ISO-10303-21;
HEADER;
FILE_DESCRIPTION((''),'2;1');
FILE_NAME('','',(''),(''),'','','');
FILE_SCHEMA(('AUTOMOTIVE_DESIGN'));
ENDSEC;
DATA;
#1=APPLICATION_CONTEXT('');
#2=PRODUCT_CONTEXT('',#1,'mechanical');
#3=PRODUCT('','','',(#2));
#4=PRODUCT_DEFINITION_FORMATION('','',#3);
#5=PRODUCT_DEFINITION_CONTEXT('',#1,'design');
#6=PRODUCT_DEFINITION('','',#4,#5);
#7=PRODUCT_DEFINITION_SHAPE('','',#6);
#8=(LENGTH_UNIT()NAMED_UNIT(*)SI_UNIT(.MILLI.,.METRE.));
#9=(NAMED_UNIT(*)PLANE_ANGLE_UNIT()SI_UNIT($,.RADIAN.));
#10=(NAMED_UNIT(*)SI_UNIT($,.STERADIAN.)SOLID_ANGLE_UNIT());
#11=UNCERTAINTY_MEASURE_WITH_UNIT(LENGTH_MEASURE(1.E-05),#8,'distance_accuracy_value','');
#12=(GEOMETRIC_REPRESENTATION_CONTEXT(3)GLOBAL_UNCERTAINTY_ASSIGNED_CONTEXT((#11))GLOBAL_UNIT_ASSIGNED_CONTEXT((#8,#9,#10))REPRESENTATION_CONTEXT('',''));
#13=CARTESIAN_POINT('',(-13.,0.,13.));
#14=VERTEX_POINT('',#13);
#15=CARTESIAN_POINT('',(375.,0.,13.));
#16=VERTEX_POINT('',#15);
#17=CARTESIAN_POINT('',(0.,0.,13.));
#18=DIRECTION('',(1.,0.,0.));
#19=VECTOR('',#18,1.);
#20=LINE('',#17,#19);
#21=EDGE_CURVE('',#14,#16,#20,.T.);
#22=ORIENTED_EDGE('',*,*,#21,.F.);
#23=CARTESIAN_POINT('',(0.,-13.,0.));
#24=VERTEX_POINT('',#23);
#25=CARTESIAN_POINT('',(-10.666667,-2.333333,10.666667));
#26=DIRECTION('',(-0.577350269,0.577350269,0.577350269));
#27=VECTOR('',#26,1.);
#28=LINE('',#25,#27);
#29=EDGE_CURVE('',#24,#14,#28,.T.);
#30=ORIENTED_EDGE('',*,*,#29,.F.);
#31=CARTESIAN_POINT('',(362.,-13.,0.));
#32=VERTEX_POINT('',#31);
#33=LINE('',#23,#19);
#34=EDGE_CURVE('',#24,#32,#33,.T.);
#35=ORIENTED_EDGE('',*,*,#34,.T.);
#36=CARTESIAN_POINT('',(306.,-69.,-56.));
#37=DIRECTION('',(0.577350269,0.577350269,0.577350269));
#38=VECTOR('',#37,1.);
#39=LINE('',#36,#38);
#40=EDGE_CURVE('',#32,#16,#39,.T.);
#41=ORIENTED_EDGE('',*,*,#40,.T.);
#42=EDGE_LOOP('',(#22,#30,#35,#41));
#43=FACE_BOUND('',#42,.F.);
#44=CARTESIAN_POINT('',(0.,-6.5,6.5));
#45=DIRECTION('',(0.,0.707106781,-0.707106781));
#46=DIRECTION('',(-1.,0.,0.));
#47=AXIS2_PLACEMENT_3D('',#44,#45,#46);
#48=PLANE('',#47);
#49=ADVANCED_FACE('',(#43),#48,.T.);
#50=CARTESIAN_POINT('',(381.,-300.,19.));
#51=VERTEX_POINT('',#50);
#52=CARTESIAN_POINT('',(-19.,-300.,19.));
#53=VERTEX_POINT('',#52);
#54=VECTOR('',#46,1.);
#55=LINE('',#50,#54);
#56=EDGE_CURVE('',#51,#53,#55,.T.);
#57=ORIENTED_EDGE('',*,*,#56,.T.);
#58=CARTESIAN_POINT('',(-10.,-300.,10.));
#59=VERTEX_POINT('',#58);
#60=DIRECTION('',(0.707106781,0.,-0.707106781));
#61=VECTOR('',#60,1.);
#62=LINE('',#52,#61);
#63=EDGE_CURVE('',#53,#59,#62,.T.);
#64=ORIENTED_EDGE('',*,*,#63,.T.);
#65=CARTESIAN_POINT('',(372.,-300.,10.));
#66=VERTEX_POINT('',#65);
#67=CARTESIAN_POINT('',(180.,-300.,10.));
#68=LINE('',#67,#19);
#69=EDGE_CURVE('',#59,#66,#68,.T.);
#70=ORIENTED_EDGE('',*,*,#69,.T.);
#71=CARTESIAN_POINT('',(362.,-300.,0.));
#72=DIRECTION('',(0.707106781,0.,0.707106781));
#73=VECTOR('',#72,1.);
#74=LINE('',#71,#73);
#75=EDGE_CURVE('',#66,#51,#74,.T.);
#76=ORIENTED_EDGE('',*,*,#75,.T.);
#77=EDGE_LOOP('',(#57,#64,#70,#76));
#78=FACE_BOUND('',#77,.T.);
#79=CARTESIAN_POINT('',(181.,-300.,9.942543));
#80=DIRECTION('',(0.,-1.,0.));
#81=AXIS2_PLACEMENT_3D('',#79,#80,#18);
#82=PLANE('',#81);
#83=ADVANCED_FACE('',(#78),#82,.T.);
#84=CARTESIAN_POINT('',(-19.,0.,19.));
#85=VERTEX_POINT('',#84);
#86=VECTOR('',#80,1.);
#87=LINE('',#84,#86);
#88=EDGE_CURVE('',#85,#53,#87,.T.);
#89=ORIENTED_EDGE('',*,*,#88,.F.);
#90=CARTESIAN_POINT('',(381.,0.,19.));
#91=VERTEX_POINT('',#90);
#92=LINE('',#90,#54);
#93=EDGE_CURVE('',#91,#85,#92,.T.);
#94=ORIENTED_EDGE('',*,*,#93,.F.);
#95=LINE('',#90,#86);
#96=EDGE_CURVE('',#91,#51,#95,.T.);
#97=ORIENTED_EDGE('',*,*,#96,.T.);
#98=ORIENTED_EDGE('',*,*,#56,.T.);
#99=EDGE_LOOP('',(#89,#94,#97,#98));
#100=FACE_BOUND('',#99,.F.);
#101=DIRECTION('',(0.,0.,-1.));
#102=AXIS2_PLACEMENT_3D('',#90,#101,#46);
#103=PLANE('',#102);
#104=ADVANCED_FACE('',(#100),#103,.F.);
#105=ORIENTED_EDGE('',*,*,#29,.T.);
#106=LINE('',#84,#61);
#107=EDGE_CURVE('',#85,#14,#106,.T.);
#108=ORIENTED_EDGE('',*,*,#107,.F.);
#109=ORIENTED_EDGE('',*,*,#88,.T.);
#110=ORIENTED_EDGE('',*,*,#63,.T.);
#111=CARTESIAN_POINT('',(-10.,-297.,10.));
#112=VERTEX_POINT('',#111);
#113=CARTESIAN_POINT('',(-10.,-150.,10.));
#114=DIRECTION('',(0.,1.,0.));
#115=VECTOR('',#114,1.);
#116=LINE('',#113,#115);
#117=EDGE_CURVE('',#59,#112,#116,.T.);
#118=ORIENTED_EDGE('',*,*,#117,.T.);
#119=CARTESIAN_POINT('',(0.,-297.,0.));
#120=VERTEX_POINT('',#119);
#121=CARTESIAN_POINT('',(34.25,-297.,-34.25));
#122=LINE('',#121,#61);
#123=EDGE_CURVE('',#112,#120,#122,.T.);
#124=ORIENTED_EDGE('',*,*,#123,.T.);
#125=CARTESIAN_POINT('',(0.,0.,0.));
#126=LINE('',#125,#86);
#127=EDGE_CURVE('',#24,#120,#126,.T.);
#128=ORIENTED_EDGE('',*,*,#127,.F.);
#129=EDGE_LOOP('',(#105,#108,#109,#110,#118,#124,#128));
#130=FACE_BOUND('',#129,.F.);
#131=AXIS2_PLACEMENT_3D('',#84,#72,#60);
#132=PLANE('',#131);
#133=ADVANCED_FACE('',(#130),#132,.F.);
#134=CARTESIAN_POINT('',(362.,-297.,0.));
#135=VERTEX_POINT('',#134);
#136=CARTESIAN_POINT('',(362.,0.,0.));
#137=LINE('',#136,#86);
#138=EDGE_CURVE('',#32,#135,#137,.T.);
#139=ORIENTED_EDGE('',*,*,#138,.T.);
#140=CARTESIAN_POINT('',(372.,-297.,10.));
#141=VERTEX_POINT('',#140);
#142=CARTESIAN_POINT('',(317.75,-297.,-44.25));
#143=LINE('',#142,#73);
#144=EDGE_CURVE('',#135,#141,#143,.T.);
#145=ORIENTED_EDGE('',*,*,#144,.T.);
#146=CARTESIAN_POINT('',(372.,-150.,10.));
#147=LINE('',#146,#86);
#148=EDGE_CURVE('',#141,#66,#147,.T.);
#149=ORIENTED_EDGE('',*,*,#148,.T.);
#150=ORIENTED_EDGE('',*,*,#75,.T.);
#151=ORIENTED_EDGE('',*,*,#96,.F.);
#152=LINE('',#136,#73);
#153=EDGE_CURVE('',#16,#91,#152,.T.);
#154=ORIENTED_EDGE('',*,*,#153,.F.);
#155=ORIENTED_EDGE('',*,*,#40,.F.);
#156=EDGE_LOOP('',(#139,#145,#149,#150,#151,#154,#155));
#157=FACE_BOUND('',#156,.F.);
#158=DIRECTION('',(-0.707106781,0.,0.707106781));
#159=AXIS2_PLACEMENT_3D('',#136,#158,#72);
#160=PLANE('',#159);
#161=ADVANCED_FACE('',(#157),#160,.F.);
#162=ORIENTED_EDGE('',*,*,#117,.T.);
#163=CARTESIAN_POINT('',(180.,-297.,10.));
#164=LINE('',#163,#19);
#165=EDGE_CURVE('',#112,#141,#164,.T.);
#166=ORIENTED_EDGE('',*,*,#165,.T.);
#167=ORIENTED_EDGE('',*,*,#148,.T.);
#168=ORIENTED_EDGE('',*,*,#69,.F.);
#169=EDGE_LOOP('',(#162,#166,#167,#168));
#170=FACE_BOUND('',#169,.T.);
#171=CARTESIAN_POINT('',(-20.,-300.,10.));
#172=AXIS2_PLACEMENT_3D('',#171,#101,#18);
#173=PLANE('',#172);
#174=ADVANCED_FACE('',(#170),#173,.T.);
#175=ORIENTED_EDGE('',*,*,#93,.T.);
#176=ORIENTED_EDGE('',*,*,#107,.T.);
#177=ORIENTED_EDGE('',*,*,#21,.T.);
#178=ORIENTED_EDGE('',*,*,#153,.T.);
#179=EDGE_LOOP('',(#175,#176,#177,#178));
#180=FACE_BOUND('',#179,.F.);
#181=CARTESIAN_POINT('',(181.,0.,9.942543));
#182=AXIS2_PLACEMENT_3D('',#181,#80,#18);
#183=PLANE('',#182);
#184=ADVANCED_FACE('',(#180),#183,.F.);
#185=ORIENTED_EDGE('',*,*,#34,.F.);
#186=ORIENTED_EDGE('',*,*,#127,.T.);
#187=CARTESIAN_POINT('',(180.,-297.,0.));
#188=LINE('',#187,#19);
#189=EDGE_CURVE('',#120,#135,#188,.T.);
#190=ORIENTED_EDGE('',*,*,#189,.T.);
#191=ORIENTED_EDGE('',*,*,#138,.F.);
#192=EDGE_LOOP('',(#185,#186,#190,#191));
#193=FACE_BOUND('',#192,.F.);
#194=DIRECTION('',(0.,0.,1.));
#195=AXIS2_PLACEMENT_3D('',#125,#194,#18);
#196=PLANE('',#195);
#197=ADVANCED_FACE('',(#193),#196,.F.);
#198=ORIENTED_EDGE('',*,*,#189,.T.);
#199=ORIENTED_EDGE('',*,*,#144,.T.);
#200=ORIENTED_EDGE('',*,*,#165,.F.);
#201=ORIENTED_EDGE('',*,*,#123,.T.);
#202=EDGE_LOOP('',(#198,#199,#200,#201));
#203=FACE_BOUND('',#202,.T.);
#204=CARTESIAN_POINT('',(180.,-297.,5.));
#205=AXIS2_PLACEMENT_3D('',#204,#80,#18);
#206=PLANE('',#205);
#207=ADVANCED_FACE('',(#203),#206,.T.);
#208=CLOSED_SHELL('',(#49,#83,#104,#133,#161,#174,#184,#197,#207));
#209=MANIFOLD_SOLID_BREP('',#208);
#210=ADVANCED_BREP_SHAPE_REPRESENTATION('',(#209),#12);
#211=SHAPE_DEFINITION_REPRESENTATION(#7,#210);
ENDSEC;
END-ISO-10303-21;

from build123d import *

# Parameters (mm, degrees)
F1_DEPTH = 300
F2_SIZE  = 13
F3_W     = 400
F3_H     = 10
F4_DEPTH = 3


with BuildPart() as f1:
    # F0 (on Front) → F1 (new body)
    with BuildSketch(Plane.XZ):
        Polygon((-19, 19), (0, 0), (362, 0), (381, 19), align=None)
    extrude(amount=F1_DEPTH)

    # F2
    f2_edges = [f1.edges().sort_by_distance(p)[0] for p in [
        (181, 0, 0),
    ]]
    chamfer(f2_edges, length=F2_SIZE)

    # F3 (on face) → F4 (cut)
    with BuildSketch(Plane.XZ.offset(300)):
        with Locations((180, 5)):
            Rectangle(F3_W, F3_H)
    extrude(amount=-F4_DEPTH, mode=Mode.SUBTRACT)


solid = f1.part
